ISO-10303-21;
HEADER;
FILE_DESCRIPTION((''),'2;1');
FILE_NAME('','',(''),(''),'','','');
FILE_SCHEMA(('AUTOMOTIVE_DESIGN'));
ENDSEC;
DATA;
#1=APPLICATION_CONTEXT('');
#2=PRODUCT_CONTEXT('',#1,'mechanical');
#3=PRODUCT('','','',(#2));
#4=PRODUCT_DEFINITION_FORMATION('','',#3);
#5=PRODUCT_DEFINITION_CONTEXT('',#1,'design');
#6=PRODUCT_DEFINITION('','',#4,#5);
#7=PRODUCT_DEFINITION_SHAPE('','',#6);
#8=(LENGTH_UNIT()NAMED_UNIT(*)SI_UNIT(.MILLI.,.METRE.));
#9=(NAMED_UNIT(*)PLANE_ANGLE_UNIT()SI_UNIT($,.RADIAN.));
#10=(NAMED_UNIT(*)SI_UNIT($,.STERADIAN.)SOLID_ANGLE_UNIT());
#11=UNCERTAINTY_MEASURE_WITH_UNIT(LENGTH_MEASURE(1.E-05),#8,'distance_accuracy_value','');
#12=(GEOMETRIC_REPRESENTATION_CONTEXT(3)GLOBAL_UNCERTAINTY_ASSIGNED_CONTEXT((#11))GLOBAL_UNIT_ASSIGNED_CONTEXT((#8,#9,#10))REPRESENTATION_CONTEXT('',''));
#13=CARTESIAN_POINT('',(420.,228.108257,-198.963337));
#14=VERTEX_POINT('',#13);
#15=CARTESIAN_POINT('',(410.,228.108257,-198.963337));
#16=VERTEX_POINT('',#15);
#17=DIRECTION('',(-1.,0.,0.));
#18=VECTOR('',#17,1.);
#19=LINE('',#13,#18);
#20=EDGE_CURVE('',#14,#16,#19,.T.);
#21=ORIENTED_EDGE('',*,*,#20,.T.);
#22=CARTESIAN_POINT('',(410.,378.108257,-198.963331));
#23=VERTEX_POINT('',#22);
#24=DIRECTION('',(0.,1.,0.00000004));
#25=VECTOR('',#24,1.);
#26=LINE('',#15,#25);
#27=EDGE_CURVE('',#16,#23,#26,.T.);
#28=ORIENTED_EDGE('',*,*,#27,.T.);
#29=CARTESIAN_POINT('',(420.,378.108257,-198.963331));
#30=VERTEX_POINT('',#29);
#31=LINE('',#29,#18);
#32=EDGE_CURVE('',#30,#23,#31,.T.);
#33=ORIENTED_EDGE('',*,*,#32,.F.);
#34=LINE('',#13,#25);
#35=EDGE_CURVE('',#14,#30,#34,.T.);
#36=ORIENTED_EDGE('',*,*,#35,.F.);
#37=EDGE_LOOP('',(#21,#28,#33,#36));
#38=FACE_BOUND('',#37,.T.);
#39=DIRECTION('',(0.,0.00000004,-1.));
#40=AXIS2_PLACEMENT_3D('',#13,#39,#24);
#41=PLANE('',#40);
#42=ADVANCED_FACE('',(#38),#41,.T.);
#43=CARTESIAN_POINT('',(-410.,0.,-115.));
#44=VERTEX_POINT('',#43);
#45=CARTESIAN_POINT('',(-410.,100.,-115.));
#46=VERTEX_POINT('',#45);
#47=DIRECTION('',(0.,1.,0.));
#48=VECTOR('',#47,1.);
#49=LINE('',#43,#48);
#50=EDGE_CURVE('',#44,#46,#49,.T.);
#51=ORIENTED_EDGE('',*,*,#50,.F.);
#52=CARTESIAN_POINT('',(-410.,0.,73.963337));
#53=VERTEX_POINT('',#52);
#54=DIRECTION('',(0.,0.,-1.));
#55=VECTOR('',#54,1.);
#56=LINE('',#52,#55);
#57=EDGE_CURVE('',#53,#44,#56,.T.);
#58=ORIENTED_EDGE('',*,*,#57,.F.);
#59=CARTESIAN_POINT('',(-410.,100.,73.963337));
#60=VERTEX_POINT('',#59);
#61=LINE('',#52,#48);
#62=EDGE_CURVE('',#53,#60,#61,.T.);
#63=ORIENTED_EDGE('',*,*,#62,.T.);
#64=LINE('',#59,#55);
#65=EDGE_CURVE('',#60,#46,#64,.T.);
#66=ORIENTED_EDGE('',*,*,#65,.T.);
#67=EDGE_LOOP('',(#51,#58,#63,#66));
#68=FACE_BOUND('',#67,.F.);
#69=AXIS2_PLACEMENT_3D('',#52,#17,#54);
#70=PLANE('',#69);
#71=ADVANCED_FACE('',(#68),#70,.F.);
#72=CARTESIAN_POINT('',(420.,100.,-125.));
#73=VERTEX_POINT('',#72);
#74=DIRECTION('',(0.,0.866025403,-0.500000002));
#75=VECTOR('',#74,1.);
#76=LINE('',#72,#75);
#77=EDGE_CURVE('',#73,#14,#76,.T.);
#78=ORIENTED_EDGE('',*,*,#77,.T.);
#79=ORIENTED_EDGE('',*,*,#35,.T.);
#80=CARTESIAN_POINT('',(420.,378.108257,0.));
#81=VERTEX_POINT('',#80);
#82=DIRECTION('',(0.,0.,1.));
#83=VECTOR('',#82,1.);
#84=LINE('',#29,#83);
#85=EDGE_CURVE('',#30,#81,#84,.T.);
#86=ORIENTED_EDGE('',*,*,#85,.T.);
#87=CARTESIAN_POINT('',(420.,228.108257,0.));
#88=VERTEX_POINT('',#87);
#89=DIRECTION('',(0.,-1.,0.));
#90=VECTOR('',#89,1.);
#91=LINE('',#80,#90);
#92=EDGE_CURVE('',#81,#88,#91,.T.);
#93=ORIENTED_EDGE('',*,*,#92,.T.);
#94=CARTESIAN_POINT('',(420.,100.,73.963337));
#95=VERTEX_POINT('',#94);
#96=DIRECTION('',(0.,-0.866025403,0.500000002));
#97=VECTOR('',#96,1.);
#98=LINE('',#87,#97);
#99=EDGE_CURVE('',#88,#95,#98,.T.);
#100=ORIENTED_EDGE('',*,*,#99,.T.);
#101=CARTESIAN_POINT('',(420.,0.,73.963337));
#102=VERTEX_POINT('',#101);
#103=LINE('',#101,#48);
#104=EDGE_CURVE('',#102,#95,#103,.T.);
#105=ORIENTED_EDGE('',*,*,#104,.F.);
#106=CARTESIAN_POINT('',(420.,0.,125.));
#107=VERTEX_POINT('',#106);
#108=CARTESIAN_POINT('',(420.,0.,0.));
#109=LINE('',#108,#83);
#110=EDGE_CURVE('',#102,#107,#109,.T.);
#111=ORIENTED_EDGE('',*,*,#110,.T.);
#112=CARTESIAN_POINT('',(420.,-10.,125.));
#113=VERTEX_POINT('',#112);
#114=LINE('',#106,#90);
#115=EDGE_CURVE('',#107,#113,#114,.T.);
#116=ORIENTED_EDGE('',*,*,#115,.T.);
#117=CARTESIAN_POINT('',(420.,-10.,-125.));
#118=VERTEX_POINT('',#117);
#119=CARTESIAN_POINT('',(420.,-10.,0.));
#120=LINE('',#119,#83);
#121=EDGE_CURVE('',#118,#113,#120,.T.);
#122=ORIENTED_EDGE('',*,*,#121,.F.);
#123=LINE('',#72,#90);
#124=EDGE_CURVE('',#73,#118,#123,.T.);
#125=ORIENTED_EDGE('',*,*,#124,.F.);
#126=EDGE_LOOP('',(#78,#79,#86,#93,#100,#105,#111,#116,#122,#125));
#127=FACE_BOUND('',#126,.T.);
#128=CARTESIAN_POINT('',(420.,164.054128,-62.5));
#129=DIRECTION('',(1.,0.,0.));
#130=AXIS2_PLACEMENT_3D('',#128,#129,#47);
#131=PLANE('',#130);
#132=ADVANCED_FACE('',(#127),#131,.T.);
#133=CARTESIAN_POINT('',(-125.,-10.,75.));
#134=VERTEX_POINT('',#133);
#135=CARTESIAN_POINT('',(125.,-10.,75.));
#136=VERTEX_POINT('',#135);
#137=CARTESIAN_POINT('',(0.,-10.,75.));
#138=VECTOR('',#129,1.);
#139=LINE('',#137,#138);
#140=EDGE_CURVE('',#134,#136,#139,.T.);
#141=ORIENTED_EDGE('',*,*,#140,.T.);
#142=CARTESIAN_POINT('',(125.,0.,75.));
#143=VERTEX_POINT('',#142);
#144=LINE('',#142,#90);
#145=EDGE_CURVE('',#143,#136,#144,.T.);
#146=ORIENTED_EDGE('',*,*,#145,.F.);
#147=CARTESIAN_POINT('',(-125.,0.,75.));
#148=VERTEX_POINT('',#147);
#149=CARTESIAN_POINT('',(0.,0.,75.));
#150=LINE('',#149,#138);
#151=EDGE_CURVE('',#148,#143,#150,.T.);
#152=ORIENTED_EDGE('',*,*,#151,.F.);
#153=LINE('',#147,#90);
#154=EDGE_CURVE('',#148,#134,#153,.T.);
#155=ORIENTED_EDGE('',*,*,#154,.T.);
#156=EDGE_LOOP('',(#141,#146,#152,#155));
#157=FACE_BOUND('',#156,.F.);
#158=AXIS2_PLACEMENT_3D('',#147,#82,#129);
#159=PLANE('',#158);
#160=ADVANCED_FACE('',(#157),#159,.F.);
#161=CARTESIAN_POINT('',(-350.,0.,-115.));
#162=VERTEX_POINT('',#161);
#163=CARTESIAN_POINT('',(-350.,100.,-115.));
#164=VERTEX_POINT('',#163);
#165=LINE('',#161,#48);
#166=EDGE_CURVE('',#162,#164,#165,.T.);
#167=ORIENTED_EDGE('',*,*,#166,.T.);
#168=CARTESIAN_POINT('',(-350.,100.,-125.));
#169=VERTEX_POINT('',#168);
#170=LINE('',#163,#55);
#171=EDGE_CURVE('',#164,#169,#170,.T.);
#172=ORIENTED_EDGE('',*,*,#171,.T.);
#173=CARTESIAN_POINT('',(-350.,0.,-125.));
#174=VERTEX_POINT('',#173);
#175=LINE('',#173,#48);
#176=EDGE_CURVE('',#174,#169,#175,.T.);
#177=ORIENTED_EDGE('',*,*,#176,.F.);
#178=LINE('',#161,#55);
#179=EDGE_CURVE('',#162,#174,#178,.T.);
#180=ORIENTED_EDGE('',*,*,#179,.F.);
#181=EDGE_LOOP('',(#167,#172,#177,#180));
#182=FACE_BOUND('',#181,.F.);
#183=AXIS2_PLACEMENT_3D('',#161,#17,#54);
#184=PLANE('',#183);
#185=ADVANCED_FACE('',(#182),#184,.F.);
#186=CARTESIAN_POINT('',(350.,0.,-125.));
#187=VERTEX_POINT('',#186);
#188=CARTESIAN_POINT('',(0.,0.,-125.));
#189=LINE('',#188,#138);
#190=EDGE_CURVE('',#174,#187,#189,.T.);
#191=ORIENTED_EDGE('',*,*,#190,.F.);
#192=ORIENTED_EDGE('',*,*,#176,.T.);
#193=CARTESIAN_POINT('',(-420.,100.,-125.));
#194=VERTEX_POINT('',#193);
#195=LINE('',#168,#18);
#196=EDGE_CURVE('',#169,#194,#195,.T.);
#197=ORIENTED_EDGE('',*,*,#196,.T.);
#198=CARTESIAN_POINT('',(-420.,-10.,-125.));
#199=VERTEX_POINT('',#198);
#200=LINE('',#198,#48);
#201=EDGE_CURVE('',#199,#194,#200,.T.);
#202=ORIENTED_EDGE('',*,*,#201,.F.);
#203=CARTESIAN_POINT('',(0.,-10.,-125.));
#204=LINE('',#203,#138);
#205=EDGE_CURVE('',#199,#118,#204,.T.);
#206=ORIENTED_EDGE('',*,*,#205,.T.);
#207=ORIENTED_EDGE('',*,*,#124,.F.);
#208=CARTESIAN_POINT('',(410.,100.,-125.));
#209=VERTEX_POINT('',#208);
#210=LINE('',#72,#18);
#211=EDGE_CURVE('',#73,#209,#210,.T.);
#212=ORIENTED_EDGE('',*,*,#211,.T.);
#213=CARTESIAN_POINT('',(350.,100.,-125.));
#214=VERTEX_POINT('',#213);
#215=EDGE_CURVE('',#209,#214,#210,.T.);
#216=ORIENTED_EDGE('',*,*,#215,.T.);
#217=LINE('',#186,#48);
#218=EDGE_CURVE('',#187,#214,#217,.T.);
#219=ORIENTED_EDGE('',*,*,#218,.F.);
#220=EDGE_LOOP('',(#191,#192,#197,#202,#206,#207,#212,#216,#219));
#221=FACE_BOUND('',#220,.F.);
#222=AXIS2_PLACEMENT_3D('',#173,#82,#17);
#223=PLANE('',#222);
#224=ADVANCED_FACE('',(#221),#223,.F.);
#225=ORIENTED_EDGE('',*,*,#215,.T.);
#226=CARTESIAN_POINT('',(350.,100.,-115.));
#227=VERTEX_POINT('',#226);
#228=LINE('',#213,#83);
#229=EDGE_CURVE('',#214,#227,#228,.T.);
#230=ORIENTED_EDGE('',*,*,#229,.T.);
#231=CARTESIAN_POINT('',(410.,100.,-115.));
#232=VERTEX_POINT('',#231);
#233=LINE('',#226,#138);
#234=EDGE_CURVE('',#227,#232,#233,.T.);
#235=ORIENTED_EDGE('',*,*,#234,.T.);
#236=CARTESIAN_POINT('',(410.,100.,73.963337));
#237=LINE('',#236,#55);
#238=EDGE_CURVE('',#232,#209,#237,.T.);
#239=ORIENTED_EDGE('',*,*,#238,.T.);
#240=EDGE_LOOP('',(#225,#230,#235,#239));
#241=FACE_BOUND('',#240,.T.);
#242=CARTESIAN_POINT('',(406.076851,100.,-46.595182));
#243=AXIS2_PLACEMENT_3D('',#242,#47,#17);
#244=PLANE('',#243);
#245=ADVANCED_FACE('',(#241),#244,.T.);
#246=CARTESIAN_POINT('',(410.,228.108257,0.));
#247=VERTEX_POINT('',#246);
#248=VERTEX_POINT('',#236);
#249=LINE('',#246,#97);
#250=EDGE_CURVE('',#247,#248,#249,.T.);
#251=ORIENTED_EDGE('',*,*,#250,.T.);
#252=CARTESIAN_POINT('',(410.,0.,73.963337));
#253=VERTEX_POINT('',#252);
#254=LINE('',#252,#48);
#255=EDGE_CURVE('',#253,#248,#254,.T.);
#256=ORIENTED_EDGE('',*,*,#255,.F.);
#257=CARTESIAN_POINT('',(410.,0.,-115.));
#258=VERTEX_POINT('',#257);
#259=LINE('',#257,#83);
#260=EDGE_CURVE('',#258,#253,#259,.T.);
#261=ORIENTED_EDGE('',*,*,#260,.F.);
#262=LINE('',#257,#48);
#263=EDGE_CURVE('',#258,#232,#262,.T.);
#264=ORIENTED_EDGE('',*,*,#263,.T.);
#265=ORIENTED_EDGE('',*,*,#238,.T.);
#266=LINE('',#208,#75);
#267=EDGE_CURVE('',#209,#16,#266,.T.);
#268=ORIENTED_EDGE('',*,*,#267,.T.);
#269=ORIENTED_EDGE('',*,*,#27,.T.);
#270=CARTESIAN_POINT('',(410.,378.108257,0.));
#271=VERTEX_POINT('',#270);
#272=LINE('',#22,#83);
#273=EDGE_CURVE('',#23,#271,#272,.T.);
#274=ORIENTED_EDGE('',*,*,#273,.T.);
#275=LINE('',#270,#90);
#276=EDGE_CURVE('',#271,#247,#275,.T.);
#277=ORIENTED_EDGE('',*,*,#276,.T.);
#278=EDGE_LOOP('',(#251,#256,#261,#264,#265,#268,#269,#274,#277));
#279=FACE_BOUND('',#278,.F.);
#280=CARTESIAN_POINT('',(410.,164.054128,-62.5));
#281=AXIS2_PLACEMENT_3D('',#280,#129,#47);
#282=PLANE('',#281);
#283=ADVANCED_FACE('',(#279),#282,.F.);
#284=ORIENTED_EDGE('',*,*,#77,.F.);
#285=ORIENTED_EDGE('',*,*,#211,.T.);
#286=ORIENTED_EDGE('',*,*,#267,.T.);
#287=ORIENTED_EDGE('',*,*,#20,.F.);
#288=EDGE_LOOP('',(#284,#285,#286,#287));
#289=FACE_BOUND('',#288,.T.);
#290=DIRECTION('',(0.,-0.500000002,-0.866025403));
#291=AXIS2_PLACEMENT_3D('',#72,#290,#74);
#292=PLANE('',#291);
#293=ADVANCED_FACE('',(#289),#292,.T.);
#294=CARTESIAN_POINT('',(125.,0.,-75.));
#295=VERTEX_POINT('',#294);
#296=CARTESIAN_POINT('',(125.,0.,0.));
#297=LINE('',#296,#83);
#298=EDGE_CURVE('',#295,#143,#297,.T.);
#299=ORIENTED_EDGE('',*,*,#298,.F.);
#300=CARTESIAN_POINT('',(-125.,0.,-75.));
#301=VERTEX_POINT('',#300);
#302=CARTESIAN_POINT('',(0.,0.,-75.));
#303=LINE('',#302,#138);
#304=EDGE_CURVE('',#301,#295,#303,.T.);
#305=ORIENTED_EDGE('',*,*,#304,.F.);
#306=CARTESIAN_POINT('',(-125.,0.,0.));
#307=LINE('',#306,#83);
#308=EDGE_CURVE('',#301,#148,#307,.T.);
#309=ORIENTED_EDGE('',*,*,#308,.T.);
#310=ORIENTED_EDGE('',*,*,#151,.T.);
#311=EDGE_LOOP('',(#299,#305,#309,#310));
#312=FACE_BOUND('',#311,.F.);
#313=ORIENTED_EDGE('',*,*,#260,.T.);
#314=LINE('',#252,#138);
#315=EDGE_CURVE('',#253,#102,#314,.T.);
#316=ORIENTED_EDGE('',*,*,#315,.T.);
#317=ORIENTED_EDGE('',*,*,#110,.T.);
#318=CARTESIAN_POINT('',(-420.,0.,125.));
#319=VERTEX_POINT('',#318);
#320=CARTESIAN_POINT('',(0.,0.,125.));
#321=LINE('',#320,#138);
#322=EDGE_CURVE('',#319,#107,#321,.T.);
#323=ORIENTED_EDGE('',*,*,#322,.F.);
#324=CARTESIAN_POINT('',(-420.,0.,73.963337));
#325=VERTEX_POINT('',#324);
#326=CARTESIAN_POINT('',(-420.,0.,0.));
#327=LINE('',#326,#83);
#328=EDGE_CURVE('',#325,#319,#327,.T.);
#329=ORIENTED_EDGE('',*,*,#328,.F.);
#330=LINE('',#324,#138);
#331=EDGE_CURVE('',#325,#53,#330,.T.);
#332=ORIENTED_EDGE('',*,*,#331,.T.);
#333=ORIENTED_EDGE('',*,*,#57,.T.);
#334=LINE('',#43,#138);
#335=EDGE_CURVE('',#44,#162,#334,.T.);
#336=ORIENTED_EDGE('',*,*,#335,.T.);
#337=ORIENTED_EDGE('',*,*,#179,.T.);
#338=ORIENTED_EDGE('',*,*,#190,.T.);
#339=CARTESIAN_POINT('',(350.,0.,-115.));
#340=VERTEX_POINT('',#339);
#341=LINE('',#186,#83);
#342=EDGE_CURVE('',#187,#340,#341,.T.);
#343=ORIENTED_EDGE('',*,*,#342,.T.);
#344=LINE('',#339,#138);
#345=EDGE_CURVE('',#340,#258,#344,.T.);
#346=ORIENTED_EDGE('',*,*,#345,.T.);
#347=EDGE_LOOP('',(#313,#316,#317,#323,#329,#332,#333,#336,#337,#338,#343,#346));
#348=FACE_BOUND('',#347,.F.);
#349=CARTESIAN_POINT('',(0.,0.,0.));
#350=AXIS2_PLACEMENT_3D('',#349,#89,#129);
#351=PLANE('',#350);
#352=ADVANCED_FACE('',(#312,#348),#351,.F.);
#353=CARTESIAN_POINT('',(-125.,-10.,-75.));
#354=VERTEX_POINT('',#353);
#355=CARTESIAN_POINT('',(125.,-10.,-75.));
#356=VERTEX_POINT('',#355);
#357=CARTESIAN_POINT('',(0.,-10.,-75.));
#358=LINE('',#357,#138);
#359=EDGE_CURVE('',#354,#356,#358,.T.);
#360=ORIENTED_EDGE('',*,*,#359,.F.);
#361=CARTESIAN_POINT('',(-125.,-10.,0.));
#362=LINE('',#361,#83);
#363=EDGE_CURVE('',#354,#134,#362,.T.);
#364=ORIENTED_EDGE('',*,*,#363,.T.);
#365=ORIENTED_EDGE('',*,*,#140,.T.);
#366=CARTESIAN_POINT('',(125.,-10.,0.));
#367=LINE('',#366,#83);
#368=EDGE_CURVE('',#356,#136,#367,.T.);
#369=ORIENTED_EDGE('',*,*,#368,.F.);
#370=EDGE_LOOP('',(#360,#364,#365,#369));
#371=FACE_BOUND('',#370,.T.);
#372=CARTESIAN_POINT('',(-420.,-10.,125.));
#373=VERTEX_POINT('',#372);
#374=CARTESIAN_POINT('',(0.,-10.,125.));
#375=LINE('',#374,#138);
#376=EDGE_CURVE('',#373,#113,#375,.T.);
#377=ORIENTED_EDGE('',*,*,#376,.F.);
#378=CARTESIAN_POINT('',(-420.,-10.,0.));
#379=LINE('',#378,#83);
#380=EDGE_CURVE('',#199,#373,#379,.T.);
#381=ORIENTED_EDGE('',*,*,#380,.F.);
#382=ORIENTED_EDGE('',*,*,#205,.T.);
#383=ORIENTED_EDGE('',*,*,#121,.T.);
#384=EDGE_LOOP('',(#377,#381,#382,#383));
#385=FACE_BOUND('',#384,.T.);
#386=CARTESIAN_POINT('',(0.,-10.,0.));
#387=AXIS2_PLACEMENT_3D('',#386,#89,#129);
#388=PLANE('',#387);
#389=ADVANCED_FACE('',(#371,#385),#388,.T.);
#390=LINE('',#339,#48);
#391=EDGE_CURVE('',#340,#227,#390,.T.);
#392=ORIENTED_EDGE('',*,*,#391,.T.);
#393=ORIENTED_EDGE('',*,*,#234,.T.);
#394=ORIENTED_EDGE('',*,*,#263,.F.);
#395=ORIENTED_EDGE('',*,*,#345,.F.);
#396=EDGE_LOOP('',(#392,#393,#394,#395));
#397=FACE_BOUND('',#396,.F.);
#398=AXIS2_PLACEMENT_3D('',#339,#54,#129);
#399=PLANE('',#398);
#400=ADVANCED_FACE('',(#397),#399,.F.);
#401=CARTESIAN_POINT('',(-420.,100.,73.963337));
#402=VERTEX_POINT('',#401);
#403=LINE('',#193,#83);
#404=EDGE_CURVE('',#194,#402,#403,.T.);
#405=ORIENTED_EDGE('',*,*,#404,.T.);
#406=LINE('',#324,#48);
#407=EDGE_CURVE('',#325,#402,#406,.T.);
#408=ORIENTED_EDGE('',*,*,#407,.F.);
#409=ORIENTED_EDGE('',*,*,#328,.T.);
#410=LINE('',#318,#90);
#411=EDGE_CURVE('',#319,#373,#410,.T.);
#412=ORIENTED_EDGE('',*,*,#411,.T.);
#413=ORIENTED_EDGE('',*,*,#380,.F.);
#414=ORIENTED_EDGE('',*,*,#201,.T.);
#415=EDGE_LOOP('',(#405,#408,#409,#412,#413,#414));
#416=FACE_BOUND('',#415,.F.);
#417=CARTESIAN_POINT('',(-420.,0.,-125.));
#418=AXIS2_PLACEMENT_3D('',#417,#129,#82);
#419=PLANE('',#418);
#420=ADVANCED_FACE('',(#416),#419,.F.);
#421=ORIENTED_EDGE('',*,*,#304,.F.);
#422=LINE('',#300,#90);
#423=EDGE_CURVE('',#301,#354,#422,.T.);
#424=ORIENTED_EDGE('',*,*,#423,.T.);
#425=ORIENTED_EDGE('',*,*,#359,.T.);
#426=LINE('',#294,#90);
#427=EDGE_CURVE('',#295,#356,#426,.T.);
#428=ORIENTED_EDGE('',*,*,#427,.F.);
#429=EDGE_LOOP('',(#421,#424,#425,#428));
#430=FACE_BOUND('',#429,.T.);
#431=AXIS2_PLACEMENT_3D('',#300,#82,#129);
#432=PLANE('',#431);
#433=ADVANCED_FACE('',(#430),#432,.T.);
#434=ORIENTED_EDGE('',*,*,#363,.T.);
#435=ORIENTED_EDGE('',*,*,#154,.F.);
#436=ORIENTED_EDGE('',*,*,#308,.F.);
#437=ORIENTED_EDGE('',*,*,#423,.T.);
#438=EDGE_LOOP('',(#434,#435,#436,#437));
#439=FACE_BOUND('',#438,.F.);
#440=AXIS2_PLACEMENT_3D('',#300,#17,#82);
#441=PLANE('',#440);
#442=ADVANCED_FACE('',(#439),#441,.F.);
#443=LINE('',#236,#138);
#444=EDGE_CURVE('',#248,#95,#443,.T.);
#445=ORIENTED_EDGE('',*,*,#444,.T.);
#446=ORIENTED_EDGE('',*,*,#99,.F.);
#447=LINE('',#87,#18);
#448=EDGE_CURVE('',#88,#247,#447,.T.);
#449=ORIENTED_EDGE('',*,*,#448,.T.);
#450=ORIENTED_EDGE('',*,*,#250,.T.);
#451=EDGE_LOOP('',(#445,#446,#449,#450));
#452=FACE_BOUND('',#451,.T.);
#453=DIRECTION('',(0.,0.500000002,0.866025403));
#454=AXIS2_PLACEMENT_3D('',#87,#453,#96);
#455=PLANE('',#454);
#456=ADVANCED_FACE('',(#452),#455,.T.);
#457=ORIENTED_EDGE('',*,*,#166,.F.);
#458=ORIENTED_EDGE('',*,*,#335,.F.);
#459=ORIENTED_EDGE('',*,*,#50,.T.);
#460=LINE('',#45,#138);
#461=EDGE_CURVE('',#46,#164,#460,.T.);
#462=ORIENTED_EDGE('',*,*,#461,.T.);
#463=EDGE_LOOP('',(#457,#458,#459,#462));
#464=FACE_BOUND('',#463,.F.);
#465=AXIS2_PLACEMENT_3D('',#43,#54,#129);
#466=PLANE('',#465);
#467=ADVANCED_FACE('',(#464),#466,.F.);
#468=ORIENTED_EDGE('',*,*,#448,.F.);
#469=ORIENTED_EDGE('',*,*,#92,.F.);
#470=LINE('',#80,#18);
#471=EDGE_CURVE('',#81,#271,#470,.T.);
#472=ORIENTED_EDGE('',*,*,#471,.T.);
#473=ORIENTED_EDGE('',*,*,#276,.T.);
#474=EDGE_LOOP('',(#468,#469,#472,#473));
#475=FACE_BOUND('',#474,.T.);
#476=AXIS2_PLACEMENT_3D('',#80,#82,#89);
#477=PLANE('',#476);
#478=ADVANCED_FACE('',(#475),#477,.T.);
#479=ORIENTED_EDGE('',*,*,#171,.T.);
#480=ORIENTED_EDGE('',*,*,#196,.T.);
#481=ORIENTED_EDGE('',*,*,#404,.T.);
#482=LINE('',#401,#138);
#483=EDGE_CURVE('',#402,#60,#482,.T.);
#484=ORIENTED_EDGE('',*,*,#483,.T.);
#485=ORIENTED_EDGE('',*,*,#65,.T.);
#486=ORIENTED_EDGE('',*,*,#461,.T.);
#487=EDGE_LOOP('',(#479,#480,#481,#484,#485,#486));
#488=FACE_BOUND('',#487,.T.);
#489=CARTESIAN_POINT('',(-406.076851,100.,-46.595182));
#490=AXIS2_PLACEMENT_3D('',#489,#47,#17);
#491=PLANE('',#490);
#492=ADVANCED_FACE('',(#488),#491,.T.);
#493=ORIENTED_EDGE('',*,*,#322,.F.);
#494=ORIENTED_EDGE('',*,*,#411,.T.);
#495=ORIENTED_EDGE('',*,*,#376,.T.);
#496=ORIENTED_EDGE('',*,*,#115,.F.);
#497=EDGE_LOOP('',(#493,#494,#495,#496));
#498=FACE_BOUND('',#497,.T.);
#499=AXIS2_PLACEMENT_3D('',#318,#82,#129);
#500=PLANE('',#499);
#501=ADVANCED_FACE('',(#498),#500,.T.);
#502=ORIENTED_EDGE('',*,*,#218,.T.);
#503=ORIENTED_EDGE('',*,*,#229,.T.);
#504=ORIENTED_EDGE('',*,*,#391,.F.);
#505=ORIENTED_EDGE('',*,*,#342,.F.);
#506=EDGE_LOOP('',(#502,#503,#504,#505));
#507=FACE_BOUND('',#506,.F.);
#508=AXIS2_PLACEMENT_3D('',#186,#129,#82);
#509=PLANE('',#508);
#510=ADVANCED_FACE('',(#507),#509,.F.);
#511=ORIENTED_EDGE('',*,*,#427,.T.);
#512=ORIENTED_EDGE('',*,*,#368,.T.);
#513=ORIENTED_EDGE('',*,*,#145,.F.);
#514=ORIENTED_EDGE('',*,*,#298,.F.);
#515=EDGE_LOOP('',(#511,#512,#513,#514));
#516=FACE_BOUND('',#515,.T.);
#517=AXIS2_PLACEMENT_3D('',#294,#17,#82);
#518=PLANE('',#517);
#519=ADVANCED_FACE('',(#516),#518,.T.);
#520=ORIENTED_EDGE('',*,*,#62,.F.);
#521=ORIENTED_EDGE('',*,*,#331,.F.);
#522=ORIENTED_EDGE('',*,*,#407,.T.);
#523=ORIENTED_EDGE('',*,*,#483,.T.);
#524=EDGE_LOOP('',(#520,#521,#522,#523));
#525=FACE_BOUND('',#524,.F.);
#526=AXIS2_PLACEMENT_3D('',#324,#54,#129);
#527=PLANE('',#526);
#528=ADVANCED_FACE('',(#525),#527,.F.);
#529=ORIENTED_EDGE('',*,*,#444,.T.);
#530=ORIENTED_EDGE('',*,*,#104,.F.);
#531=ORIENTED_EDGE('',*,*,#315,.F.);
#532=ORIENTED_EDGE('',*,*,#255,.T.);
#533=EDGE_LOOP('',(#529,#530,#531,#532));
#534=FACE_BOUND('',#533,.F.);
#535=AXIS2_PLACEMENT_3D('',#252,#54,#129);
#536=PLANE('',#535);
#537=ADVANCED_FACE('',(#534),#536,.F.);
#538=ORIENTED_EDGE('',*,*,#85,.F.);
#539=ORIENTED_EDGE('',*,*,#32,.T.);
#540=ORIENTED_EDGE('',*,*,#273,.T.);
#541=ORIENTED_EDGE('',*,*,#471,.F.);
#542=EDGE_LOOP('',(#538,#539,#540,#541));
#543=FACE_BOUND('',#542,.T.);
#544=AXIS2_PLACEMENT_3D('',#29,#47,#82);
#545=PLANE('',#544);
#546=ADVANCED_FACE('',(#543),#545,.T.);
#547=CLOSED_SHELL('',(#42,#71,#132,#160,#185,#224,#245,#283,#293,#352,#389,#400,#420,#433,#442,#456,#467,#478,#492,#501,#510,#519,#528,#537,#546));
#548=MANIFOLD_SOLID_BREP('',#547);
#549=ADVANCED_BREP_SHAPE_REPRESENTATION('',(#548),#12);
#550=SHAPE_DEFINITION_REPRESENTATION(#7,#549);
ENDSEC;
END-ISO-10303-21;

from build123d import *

# Parameters (mm, degrees)
F0_W     = 840
F0_H     = 250
F0_W_2   = 250
F0_H_2   = 150
F1_DEPTH = 10
F3_DEPTH = 100
F5_DEPTH = 10


with BuildPart() as f1:
    # F0 (on Front) → F1 (new body)
    with BuildSketch(Plane.XZ):
        Rectangle(F0_W, F0_H)
        Rectangle(F0_W_2, F0_H_2, mode=Mode.SUBTRACT)
    extrude(amount=F1_DEPTH)

    # F2 (on face) → F3 (join)
    with BuildSketch(Plane(origin=(0, 0, 0), x_dir=(-1, 0, 0), z_dir=(0, 1, 0))):
        Polygon((350, -115), (350, -125), (420, -125), (420, 73.963337), (410, 73.963337), (410, -115), align=None)
        Polygon((-410, -115), (-410, 73.963337), (-420, 73.963337), (-420, -125), (-350, -125), (-350, -115), align=None)
    extrude(amount=F3_DEPTH)

    # F4 (on face) → F5 (join)
    with BuildSketch(Plane.YZ.offset(420)):
        Polygon((228.108257, 0), (100, 73.963337), (100, -125), (228.108257, -198.963337), align=None)
        Polygon((378.108257, 0), (228.108257, 0), (228.108257, -198.963337), (378.108257, -198.963331), align=None)
    extrude(amount=-F5_DEPTH)


solid = f1.part
